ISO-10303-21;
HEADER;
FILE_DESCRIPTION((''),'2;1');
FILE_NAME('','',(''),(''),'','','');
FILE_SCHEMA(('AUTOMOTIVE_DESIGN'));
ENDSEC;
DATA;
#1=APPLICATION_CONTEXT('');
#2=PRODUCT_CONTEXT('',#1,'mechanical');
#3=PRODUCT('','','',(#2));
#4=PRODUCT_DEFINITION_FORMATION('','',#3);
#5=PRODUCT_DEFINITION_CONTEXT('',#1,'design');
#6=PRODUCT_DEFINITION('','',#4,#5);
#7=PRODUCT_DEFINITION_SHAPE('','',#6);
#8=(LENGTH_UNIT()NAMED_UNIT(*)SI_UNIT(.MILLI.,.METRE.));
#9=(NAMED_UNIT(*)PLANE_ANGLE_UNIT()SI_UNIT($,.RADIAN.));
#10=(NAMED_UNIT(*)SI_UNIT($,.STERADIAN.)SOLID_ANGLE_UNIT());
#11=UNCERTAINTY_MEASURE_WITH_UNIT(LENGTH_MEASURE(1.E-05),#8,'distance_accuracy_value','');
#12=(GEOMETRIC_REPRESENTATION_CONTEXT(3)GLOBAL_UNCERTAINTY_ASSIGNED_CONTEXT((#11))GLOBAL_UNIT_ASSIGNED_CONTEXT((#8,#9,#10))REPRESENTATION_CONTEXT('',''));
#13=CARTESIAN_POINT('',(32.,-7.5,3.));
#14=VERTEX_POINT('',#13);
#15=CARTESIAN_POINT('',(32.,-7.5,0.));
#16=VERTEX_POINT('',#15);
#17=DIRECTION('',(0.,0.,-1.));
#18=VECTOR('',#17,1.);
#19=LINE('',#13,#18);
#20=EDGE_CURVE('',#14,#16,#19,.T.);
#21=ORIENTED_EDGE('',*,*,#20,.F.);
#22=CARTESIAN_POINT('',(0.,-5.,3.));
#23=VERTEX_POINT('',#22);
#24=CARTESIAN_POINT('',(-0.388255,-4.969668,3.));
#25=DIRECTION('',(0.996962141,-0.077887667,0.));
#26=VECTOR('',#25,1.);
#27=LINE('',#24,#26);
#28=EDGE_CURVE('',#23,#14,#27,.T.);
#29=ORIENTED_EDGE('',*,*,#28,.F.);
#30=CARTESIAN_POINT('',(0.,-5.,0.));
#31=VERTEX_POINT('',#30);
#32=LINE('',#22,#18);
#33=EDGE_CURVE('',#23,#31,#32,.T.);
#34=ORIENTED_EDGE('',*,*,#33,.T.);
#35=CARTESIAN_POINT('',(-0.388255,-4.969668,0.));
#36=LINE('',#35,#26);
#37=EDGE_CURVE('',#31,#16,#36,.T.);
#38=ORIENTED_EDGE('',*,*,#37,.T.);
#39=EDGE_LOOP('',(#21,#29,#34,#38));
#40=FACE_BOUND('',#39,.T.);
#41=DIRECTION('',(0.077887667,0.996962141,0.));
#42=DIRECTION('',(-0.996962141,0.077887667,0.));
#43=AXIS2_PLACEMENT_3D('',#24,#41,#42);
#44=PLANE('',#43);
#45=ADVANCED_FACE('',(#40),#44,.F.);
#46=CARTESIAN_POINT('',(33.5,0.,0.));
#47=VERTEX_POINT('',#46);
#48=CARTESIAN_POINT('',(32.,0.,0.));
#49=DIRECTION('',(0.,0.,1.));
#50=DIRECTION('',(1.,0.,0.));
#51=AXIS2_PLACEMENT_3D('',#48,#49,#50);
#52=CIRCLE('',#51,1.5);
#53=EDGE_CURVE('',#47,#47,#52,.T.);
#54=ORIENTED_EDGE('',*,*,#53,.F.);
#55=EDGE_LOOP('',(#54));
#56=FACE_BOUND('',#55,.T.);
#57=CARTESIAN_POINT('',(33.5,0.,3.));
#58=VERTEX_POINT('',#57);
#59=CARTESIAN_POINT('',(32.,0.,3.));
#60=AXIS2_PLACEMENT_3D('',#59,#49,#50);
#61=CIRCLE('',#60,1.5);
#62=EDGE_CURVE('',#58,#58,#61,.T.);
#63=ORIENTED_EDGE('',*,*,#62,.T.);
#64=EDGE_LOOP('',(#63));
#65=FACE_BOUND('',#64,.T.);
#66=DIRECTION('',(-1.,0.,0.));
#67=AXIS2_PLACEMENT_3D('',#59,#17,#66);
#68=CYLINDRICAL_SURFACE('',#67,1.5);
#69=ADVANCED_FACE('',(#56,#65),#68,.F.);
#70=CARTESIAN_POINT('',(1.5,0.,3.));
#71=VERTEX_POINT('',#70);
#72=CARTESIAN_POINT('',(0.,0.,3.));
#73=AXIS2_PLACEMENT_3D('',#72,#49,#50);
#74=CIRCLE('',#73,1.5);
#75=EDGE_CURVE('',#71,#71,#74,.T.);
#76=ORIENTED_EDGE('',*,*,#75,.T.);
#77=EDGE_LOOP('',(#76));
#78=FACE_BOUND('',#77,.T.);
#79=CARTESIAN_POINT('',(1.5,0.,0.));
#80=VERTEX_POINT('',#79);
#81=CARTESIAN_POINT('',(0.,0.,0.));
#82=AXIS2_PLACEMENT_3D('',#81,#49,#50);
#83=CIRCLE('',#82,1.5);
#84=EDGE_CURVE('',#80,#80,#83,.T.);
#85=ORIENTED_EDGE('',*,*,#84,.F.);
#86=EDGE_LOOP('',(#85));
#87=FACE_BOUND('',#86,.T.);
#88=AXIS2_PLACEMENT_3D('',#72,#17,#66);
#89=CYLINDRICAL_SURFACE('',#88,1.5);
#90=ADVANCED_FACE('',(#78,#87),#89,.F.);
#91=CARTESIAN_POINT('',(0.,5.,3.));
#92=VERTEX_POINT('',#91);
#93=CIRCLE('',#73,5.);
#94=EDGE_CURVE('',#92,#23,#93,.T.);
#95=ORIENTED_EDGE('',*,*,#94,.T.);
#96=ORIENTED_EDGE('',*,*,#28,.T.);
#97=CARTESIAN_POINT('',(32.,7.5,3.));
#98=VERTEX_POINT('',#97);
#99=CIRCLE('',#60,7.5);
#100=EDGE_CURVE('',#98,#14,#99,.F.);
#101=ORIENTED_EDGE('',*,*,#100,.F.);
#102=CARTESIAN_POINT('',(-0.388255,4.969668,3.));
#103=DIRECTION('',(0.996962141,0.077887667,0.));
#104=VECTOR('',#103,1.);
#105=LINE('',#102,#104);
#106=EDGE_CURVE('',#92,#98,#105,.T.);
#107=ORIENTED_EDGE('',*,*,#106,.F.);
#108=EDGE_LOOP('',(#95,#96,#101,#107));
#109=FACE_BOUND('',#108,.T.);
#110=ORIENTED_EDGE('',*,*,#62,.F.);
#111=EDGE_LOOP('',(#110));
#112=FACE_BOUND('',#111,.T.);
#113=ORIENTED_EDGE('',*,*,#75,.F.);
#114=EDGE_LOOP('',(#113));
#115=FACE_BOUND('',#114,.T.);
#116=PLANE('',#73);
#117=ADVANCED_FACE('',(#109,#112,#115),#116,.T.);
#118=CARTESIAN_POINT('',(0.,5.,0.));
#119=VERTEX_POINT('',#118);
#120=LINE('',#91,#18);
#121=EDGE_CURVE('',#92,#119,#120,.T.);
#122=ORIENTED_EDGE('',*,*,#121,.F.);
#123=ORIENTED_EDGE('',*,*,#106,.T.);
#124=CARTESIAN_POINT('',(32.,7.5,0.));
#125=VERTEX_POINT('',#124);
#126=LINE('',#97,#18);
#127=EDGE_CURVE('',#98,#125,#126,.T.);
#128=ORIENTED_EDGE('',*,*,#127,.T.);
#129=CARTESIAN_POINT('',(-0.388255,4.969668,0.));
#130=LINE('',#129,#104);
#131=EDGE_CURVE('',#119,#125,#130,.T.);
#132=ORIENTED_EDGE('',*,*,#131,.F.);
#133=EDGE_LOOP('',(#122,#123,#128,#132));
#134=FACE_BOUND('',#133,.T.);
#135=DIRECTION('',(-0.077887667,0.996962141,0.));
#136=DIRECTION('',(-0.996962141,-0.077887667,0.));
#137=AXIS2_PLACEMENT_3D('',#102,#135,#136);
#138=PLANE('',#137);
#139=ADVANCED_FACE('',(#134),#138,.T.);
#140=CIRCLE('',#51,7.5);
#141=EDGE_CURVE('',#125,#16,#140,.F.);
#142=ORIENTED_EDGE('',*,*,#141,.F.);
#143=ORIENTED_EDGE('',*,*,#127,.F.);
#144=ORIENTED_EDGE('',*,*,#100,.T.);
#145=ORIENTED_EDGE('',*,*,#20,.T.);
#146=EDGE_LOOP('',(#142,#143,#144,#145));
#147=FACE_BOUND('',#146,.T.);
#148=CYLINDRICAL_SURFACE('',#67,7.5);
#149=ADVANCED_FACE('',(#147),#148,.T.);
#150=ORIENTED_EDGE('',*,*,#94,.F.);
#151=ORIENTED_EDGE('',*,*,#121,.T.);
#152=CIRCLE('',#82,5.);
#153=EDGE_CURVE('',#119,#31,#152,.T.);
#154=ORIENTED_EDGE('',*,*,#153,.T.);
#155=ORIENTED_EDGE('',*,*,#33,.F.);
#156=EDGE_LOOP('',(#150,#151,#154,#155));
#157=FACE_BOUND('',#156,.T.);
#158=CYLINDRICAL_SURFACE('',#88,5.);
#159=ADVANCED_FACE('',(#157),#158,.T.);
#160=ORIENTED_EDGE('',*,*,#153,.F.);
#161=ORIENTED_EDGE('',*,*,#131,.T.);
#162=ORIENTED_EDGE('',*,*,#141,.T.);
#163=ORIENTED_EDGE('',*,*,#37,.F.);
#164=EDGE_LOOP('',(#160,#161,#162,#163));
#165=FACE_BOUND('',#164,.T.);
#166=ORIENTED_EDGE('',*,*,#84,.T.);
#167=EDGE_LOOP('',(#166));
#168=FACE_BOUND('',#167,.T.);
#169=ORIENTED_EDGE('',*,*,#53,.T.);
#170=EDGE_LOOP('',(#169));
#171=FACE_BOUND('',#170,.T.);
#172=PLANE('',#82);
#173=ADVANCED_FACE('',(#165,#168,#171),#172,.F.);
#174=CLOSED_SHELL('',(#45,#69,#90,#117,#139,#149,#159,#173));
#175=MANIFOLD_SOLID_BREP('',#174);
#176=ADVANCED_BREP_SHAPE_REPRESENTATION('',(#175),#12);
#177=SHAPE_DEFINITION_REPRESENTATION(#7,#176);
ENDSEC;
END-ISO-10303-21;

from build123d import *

# Parameters (mm, degrees)
SKETCH1_R           = 1.5
BOSS_EXTRUDE1_DEPTH = 3


with BuildPart() as part:
    # Sketch1 → Boss-Extrude1 (new body)
    with BuildSketch(Plane.XY):
        with BuildLine():
            ThreePointArc((32, 7.5), (39.5, 0), (32, -7.5))
            Line((32, -7.5), (0, -5))
            ThreePointArc((0, -5), (-5, 0), (0, 5))
            Line((0, 5), (32, 7.5))
        make_face()
        with Locations((32, 0)):
            Circle(SKETCH1_R, mode=Mode.SUBTRACT)
        Circle(SKETCH1_R, mode=Mode.SUBTRACT)
    extrude(amount=BOSS_EXTRUDE1_DEPTH)


solid = part.part
